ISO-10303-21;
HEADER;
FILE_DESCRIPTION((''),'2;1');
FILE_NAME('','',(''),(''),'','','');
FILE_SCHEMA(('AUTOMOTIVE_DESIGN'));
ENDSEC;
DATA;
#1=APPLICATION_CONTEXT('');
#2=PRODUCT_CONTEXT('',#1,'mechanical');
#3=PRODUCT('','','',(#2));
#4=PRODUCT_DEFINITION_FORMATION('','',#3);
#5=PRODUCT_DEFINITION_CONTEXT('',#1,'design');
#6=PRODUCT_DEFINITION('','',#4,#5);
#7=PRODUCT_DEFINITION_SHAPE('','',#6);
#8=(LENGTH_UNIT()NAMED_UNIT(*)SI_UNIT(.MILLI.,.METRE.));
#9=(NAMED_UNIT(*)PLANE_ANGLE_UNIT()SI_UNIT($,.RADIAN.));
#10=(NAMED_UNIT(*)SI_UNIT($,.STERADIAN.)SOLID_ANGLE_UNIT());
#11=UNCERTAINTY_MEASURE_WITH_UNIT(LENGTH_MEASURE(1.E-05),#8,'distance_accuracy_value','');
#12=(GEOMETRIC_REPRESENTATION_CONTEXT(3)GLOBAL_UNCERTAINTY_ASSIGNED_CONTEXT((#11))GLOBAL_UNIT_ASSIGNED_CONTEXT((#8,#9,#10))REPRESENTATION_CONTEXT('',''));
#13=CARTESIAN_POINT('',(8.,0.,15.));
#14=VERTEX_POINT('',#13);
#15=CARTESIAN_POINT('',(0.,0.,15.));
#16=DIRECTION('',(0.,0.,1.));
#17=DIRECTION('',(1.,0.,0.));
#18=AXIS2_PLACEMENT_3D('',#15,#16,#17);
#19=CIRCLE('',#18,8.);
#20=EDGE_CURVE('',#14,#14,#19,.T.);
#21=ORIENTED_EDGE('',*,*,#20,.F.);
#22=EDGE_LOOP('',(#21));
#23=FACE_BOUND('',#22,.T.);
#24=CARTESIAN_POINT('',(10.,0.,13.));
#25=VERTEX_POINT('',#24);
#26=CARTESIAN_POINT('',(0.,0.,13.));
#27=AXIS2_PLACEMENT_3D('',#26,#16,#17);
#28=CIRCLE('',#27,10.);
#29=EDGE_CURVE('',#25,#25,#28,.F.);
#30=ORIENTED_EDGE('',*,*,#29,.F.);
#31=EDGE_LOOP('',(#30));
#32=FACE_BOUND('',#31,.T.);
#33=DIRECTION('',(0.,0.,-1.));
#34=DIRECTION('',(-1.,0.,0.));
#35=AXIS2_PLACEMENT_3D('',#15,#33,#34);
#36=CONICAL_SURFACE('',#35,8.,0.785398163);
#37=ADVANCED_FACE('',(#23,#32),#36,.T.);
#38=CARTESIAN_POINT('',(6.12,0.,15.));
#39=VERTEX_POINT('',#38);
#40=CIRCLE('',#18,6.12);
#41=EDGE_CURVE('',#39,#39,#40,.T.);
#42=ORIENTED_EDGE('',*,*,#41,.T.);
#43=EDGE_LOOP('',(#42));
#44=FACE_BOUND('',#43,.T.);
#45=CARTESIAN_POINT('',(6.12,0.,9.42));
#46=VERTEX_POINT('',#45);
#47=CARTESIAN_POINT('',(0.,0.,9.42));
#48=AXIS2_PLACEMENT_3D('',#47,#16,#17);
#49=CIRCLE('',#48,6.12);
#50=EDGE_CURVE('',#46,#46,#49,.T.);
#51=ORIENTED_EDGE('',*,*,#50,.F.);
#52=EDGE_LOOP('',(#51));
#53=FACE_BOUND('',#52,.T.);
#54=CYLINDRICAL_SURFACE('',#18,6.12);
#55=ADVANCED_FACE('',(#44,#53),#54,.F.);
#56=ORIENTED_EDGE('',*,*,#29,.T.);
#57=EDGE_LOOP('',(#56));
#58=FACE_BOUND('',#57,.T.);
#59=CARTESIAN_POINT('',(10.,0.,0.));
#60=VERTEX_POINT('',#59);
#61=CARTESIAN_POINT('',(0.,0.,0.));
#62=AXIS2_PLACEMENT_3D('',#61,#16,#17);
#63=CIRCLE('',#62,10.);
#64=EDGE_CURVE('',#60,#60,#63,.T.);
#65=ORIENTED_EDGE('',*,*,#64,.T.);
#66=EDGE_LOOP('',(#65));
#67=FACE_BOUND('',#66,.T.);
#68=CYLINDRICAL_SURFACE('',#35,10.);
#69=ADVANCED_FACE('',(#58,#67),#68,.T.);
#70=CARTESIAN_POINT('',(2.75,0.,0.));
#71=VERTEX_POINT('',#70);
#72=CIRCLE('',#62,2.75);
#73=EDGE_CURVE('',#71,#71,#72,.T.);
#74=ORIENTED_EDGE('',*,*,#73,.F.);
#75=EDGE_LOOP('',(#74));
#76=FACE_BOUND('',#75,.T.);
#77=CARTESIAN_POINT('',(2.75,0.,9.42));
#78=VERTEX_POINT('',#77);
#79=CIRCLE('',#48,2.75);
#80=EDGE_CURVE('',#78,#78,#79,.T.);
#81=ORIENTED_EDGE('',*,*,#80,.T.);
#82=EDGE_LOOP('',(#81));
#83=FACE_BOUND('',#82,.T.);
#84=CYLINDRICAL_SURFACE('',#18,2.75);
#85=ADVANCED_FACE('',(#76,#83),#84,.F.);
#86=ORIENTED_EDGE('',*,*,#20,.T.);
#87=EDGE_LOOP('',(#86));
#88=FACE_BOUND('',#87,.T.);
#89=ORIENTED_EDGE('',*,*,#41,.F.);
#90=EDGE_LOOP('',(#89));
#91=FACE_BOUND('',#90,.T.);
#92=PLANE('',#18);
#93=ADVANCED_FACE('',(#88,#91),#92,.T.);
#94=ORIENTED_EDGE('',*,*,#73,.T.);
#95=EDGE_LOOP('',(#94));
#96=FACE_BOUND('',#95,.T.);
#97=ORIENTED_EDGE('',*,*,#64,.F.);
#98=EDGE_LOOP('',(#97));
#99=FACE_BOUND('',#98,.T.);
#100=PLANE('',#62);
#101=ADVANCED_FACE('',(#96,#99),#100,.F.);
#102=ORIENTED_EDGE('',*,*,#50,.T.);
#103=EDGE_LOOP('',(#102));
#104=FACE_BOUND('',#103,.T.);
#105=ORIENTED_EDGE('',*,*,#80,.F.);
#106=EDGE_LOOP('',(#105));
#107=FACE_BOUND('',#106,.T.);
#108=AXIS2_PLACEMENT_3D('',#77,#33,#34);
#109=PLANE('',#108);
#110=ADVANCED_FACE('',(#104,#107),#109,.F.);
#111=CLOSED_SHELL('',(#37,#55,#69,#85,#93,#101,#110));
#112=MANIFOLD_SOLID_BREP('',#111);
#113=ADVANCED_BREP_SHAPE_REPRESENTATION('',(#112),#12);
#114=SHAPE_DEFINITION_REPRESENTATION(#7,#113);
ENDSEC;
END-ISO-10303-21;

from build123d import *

# Parameters (mm, degrees)
SKETCH1_R                               = 10
BOSS_EXTRUDE1_DEPTH                     = 15
CHAMFER1_SIZE                           = 2
CBORE_FOR_M5_HEX_HEAD_BOLT1_D           = 5.5
CBORE_FOR_M5_HEX_HEAD_BOLT1_CBORE_D     = 12.24
CBORE_FOR_M5_HEX_HEAD_BOLT1_CBORE_DEPTH = 5.58


with BuildPart() as part:
    # Sketch1 → Boss-Extrude1 (new body)
    with BuildSketch(Plane.XY):
        Circle(SKETCH1_R)
    extrude(amount=BOSS_EXTRUDE1_DEPTH)

    # Chamfer1
    chamfer1_edges = [part.edges().sort_by_distance(p)[0] for p in [
        (-10, 0, 15),
    ]]
    chamfer(chamfer1_edges, length=CHAMFER1_SIZE)

    # CBORE for M5 Hex Head Bolt1 (through all)
    with Locations(Plane.XY.offset(15)):
        with Locations((0, 0)):
            CounterBoreHole(CBORE_FOR_M5_HEX_HEAD_BOLT1_D / 2, CBORE_FOR_M5_HEX_HEAD_BOLT1_CBORE_D / 2, CBORE_FOR_M5_HEX_HEAD_BOLT1_CBORE_DEPTH)


solid = part.part
